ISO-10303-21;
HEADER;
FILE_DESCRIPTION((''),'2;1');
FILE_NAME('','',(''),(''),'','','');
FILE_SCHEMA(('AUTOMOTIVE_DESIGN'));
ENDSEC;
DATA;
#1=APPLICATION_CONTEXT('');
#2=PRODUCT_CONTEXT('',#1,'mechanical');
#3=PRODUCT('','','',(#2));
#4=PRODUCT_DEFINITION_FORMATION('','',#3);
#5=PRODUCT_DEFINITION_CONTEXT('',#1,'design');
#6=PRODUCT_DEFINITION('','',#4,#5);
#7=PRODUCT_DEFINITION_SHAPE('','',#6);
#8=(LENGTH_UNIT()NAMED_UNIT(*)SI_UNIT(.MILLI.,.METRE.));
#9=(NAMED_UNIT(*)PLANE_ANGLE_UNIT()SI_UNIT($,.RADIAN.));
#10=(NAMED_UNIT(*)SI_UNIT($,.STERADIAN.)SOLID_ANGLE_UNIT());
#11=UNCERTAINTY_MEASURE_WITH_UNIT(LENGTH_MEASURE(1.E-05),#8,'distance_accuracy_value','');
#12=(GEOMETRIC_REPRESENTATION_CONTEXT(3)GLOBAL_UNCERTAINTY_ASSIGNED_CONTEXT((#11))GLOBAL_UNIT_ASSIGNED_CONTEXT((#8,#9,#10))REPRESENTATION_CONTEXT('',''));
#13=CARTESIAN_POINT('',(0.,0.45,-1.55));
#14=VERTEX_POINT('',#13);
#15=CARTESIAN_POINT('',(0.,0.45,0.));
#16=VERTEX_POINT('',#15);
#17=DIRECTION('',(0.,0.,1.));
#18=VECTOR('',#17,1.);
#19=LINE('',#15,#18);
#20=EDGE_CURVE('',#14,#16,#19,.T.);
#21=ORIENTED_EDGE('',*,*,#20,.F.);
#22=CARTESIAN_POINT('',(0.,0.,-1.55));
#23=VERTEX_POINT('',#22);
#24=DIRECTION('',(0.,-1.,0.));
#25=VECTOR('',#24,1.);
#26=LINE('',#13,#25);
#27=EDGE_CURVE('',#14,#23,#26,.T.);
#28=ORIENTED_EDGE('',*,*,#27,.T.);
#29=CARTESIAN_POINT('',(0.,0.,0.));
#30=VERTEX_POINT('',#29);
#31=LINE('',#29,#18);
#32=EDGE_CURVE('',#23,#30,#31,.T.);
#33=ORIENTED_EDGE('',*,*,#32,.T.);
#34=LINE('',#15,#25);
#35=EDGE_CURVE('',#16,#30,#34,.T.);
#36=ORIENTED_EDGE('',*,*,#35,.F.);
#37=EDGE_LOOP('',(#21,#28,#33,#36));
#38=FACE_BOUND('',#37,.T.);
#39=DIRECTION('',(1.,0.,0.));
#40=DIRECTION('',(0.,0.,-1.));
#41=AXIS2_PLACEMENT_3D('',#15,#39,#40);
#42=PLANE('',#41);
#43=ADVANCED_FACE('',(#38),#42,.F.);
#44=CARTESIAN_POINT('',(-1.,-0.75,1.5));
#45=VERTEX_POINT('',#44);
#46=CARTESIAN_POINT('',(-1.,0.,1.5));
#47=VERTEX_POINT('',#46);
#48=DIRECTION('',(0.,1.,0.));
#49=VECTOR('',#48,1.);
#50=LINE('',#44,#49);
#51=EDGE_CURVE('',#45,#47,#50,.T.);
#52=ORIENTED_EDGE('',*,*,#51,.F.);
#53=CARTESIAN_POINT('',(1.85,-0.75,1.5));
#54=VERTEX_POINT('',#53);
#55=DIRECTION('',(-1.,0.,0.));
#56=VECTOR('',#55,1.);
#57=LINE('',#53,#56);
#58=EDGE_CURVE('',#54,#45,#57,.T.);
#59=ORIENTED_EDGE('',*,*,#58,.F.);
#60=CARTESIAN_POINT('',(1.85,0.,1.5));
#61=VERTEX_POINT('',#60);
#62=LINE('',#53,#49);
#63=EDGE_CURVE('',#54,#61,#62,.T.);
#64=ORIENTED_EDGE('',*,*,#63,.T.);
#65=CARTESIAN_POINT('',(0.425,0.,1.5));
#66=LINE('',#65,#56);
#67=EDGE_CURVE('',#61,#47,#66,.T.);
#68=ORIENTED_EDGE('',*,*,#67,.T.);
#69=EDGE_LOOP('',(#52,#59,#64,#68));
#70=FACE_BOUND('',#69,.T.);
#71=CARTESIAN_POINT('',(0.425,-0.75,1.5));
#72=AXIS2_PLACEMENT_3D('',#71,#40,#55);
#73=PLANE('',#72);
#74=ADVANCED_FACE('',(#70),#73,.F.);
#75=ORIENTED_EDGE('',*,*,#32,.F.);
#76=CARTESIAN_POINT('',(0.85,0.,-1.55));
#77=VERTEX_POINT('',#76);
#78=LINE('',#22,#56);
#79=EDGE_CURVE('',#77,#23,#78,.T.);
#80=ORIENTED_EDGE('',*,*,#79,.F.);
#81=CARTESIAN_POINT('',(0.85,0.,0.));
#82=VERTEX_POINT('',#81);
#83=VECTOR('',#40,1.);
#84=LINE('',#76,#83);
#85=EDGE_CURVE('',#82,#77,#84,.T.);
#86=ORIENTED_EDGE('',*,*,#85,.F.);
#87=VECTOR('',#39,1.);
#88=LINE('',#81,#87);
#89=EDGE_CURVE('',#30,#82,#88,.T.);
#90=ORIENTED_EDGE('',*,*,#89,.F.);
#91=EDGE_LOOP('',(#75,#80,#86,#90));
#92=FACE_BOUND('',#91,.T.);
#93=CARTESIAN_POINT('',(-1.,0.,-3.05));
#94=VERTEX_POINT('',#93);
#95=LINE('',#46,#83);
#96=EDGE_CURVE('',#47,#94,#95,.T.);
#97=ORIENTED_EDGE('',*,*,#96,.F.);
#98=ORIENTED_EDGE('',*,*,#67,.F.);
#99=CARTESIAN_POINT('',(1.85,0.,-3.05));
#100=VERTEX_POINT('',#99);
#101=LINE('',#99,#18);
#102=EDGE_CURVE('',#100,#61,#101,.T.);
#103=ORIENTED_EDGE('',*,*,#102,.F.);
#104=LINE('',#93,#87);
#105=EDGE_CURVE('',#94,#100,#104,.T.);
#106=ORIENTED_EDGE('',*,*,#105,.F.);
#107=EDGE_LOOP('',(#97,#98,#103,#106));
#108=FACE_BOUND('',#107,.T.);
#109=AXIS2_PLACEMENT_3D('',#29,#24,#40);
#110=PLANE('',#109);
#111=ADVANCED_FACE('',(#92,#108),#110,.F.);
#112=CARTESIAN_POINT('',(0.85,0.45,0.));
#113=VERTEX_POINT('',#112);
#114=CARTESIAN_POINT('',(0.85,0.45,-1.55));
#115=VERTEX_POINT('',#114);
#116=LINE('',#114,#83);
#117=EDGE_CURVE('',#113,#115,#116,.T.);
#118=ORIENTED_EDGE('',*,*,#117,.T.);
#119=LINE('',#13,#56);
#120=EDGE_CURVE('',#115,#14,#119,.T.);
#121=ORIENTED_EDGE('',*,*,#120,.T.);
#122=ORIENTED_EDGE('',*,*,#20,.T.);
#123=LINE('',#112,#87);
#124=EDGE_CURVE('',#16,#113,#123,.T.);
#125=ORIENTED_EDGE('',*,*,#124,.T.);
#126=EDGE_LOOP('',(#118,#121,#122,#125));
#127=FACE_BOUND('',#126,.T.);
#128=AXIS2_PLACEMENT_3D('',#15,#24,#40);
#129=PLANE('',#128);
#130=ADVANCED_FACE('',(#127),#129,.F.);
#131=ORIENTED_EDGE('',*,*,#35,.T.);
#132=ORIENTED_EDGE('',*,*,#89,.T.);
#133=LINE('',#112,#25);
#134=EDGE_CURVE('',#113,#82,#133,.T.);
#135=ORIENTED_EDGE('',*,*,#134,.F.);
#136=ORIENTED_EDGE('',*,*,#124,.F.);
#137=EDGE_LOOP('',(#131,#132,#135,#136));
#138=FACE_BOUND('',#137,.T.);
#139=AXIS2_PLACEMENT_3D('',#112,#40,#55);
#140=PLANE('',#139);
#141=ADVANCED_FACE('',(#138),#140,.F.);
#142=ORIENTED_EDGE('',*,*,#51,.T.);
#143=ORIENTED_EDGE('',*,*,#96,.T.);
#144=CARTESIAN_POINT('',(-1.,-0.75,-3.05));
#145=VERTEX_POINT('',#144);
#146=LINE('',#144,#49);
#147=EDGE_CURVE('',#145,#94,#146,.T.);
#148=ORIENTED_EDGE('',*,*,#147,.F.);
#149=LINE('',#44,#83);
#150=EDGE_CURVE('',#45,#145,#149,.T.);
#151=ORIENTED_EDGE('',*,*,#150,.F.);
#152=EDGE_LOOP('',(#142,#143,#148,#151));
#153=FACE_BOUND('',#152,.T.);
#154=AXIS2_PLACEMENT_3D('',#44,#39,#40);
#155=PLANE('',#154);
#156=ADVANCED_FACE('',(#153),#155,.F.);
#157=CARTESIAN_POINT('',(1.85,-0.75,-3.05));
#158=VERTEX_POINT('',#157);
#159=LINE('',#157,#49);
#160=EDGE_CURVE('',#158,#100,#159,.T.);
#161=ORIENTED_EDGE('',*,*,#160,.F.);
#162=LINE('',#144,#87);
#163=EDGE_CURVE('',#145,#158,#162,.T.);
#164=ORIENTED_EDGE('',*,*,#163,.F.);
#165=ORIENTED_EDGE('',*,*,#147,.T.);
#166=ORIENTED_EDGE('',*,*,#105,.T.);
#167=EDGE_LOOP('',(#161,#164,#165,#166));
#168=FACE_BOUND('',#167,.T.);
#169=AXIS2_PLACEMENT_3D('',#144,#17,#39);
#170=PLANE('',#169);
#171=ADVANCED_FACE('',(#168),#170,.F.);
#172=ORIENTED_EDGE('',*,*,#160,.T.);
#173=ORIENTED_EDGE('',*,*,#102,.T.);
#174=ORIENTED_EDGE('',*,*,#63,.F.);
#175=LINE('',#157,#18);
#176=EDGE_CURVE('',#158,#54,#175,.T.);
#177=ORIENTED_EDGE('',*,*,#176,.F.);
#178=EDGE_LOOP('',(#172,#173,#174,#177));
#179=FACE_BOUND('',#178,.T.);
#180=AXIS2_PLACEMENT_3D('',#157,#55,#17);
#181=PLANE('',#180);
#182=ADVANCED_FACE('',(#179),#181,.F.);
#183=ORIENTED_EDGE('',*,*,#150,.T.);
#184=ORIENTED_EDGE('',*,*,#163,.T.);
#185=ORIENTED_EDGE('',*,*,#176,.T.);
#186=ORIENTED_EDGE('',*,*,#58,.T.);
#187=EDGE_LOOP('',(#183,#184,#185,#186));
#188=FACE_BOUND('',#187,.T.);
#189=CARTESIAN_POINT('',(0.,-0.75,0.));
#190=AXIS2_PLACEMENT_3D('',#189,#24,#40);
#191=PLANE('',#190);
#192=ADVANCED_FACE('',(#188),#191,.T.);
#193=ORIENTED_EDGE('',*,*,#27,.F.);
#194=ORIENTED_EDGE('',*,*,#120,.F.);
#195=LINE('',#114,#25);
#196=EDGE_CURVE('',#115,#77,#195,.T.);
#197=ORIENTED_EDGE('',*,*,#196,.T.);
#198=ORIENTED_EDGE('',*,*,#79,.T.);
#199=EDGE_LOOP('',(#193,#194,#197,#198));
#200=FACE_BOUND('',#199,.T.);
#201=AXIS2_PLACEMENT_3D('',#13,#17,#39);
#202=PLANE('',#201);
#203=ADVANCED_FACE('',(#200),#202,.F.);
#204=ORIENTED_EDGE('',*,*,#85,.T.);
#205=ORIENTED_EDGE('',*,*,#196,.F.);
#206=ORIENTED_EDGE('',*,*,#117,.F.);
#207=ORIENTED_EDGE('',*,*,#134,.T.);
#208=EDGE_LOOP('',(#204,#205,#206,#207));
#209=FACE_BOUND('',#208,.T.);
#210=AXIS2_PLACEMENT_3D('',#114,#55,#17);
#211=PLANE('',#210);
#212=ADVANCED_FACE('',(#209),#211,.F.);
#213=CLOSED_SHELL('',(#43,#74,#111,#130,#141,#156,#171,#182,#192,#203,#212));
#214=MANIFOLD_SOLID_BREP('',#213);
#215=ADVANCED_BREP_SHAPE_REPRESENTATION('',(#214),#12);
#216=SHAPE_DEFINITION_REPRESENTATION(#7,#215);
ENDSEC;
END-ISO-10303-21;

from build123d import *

# Parameters (mm, degrees)
SKETCH1_W           = 0.85
SKETCH1_H           = 1.55
BOSS_EXTRUDE1_DEPTH = 0.45
BOSS_EXTRUDE2_DEPTH = 0.75


with BuildPart() as part:
    # Sketch1 → Boss-Extrude1 (new body)
    with BuildSketch(Plane(origin=(0, 0, 0), x_dir=(1, 0, 0), z_dir=(0, 1, 0))):
        with Locations((0.425, 0.775)):
            Rectangle(SKETCH1_W, SKETCH1_H)
    extrude(amount=BOSS_EXTRUDE1_DEPTH)

    # Sketch2 → Boss-Extrude2 (add)
    with BuildSketch(Plane.XZ):
        Polygon((0.425, 1.5), (-1, 1.5), (-1, -3.05), (1.85, -3.05), (1.85, 1.5), align=None)
    extrude(amount=BOSS_EXTRUDE2_DEPTH)


solid = part.part
